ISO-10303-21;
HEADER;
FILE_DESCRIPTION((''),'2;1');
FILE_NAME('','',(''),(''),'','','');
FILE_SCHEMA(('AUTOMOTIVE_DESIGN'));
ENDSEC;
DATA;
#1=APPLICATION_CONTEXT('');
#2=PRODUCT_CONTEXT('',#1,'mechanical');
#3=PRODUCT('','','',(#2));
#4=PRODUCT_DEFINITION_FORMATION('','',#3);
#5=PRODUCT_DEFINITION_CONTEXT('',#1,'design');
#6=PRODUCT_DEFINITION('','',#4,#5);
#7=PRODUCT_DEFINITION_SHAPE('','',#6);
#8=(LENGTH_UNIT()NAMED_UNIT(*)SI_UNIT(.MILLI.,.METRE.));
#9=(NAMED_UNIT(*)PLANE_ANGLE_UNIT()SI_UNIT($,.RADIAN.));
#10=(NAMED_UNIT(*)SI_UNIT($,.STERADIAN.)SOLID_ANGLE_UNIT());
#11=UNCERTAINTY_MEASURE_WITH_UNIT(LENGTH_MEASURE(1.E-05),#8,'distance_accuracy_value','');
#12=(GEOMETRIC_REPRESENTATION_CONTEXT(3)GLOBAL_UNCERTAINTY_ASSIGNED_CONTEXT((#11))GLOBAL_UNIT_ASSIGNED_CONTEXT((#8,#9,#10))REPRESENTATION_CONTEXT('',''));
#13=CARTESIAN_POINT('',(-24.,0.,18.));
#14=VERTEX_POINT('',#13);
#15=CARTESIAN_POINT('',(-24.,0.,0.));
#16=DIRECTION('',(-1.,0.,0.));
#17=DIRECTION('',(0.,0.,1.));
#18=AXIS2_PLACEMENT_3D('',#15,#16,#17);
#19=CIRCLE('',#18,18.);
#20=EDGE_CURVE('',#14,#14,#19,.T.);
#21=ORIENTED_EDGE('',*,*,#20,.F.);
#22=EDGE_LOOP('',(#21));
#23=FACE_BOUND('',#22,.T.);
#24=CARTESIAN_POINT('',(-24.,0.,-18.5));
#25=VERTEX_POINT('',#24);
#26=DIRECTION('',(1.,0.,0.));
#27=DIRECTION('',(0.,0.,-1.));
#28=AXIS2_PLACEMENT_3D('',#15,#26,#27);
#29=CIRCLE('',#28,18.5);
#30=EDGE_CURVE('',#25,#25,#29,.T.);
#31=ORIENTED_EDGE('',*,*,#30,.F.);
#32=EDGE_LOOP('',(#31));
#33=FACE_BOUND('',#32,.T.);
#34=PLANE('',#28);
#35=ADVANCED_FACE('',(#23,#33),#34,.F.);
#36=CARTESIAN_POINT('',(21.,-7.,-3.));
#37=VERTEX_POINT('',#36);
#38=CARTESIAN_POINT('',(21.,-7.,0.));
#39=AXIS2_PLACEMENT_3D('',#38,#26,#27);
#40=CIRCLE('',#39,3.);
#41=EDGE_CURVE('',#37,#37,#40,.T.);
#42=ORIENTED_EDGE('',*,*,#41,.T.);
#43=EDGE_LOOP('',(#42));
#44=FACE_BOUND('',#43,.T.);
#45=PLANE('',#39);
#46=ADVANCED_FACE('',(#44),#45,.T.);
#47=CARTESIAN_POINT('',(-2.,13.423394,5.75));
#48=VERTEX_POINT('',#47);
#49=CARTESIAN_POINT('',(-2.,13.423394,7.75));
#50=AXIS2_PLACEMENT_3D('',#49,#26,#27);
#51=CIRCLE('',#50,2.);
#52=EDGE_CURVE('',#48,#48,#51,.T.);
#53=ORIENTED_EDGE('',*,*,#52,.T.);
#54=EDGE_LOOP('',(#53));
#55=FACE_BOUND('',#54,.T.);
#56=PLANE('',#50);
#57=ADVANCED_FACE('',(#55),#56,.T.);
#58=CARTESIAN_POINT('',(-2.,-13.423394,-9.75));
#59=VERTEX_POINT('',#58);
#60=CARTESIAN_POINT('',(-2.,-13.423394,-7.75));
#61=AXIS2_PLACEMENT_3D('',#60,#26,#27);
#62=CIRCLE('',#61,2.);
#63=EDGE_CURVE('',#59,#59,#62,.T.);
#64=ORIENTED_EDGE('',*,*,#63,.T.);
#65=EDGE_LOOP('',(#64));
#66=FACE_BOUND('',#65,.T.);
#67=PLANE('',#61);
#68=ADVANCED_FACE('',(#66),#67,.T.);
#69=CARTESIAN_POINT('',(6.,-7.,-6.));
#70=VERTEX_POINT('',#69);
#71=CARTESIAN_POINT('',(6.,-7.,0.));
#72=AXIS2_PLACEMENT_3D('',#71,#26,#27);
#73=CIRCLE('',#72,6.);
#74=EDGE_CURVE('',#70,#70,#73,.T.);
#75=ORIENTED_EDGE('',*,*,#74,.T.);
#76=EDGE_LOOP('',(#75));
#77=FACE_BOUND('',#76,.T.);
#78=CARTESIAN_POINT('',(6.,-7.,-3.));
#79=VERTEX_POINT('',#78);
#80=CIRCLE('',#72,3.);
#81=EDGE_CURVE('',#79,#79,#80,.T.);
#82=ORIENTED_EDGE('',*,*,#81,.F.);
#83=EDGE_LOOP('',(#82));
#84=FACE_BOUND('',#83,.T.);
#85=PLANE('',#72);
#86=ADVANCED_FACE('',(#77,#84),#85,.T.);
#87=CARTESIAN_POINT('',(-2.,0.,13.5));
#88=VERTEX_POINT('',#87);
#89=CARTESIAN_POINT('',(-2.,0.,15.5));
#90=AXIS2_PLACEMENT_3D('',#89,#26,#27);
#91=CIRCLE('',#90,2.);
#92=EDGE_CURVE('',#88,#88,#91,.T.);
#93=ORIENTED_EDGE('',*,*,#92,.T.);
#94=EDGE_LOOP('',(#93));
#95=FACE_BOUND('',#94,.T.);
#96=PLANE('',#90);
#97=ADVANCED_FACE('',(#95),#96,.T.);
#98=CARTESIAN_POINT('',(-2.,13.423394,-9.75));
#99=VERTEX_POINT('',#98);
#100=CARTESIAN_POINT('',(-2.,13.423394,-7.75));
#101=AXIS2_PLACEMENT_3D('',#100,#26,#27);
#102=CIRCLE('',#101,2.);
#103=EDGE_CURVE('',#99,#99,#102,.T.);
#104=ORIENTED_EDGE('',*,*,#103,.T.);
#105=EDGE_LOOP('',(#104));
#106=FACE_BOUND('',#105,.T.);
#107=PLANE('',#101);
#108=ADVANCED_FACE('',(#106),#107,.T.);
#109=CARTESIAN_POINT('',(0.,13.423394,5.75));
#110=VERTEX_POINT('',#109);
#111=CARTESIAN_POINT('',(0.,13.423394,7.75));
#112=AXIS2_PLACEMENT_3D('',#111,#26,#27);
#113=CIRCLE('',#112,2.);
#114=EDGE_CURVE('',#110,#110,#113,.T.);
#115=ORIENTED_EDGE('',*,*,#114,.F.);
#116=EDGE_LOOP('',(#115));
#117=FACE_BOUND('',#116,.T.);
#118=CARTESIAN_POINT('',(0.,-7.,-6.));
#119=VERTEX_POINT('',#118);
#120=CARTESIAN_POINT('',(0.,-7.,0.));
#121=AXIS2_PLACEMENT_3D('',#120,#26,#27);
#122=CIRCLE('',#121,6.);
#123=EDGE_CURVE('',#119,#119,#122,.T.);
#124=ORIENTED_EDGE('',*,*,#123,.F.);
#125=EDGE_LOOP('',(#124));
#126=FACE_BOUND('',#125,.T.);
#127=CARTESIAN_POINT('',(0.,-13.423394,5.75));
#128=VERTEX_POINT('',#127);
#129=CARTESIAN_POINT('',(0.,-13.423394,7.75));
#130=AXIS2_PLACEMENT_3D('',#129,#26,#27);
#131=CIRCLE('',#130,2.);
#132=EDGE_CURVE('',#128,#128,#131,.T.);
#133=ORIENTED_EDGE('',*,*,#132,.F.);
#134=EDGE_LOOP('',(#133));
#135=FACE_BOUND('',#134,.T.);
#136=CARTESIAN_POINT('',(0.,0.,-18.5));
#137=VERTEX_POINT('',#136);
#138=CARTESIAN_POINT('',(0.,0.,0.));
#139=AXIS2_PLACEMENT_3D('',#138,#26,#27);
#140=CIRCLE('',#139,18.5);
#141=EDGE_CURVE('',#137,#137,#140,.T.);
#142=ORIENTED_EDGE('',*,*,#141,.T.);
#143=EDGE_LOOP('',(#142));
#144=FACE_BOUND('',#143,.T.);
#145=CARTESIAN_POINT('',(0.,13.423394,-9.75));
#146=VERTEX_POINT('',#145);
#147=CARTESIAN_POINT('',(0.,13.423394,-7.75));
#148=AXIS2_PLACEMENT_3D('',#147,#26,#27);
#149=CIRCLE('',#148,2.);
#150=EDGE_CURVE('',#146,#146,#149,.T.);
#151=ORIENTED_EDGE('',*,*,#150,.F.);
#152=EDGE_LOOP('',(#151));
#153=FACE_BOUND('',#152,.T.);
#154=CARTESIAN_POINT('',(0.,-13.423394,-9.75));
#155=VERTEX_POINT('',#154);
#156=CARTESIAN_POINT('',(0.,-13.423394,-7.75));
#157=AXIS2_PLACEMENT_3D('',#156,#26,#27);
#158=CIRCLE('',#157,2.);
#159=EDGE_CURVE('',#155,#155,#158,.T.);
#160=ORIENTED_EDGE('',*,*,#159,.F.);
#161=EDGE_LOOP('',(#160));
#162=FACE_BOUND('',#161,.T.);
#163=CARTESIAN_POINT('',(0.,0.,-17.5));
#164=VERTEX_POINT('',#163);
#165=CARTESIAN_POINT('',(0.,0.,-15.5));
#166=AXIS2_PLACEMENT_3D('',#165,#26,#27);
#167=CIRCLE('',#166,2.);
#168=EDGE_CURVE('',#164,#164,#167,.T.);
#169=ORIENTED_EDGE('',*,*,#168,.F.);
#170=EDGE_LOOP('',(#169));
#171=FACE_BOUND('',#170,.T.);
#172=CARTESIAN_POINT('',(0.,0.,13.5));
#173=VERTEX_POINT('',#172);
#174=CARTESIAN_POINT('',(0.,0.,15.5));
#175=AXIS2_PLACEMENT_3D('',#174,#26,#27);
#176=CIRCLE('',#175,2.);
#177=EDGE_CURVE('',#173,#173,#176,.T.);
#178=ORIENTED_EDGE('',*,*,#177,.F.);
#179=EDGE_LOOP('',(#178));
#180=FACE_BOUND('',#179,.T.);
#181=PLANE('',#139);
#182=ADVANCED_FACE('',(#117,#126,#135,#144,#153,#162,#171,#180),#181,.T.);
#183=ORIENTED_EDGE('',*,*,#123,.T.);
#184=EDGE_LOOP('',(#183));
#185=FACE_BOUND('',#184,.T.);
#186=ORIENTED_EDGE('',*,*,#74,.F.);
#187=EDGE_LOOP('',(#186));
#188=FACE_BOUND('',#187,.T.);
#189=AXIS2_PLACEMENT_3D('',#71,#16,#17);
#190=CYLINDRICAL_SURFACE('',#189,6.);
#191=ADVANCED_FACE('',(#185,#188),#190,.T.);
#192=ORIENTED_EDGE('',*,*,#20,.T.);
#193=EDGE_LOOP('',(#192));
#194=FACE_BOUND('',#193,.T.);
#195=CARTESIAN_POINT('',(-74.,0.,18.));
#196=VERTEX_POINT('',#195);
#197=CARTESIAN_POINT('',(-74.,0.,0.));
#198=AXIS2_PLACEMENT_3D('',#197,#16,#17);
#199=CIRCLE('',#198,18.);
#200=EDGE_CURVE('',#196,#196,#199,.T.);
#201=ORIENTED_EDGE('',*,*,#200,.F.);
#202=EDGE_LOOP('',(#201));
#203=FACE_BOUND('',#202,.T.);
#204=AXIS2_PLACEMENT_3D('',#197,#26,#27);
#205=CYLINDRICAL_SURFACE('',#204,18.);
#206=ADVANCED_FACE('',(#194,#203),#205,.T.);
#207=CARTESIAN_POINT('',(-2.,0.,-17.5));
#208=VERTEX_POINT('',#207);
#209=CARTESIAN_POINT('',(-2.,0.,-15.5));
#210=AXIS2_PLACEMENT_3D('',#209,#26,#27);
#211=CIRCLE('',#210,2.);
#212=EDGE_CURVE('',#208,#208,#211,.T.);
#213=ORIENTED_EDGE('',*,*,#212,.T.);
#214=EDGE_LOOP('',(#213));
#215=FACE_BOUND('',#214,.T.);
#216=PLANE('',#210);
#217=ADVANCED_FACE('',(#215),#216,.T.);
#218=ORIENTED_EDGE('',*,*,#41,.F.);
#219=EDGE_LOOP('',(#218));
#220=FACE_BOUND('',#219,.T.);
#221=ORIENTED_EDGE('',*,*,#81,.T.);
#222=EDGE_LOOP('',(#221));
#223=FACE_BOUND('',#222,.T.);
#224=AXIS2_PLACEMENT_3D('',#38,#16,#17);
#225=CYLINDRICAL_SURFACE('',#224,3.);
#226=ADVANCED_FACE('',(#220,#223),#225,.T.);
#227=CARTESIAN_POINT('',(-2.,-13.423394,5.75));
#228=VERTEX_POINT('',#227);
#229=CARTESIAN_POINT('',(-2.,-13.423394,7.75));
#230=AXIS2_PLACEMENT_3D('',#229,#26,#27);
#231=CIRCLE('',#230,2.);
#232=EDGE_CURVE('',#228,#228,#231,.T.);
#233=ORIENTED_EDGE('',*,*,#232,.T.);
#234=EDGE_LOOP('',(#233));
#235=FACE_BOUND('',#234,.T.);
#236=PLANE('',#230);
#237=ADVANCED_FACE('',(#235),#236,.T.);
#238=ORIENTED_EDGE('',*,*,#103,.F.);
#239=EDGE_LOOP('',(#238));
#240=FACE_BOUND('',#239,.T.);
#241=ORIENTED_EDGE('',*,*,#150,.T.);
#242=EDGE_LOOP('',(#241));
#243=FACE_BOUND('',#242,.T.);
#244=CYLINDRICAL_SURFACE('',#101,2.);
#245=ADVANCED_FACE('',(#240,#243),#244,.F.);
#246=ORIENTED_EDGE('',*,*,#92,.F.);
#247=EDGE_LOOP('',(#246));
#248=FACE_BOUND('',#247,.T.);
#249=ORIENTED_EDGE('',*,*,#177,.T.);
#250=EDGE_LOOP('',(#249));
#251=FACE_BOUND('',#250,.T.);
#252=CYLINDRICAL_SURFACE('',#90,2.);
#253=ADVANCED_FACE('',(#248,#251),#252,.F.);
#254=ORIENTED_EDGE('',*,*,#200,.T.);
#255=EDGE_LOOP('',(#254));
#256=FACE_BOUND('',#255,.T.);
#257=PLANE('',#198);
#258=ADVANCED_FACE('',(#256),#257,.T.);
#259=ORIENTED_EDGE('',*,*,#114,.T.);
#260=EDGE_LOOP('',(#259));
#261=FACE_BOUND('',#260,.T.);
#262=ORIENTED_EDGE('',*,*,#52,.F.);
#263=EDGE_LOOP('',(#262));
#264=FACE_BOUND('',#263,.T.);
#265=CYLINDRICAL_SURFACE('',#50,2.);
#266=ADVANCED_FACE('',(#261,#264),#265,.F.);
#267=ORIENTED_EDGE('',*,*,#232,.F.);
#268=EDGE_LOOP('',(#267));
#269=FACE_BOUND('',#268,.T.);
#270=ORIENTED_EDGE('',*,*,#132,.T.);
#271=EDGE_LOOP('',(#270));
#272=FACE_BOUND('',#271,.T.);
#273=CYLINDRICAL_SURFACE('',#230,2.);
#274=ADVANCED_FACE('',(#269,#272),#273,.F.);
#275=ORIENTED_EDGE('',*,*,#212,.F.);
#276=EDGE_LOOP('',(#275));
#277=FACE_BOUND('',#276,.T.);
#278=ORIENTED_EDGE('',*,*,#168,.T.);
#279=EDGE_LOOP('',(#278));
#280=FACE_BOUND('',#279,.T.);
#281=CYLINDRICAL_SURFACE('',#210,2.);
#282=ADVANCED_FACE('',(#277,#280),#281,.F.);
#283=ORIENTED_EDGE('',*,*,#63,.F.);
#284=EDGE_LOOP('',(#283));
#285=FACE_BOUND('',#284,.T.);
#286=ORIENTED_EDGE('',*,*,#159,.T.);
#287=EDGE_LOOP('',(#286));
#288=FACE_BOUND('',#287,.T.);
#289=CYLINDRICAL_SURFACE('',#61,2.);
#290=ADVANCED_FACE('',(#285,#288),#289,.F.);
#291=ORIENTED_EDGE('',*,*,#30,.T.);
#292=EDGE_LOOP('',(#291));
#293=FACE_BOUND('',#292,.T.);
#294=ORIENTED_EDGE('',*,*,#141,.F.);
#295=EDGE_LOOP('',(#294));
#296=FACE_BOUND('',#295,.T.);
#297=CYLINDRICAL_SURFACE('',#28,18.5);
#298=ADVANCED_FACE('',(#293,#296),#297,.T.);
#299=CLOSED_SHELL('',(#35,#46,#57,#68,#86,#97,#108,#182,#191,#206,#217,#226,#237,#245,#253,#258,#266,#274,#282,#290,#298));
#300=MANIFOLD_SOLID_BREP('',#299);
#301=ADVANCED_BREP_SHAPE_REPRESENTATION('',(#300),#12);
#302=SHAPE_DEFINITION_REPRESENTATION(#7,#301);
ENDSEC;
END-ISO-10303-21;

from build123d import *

# Parameters (mm, degrees)
SKETCH1_R           = 18.5
BOSS_EXTRUDE1_DEPTH = 24
SKETCH2_R           = 18
BOSS_EXTRUDE2_DEPTH = 50
SKETCH3_R           = 6
BOSS_EXTRUDE3_DEPTH = 6
SKETCH4_R           = 3
BOSS_EXTRUDE4_DEPTH = 15
SKETCH5_R           = 2
CUT_EXTRUDE1_DEPTH  = 2


with BuildPart() as part:
    # Sketch1 → Boss-Extrude1 (new body)
    with BuildSketch(Plane(origin=(0, 0, 0), x_dir=(0, 0, -1), z_dir=(1, 0, 0))):
        Circle(SKETCH1_R)
    extrude(amount=-BOSS_EXTRUDE1_DEPTH)

    # Sketch2 → Boss-Extrude2 (add)
    with BuildSketch(Plane.ZY.offset(24)):
        Circle(SKETCH2_R)
    extrude(amount=BOSS_EXTRUDE2_DEPTH)

    # Sketch3 → Boss-Extrude3 (add)
    with BuildSketch(Plane(origin=(0, 0, 0), x_dir=(0, 0, -1), z_dir=(1, 0, 0))):
        with Locations((0, -7)):
            Circle(SKETCH3_R)
    extrude(amount=BOSS_EXTRUDE3_DEPTH)

    # Sketch4 → Boss-Extrude4 (add)
    with BuildSketch(Plane(origin=(6, 0, 0), x_dir=(0, 0, -1), z_dir=(1, 0, 0))):
        with Locations((0, -7)):
            Circle(SKETCH4_R)
    extrude(amount=BOSS_EXTRUDE4_DEPTH)

    # Sketch5 → Cut-Extrude1 (cut)
    with BuildSketch(Plane(origin=(0, 0, 0), x_dir=(0, 0, -1), z_dir=(1, 0, 0))):
        with Locations((-15.5, 0)):
            Circle(SKETCH5_R)
        with Locations((-7.75, 13.423393759)):
            Circle(SKETCH5_R)
        with Locations((7.75, 13.423393759)):
            Circle(SKETCH5_R)
        with Locations((15.5, 0)):
            Circle(SKETCH5_R)
        with Locations((7.75, -13.423393759)):
            Circle(SKETCH5_R)
        with Locations((-7.75, -13.423393759)):
            Circle(SKETCH5_R)
    extrude(amount=-CUT_EXTRUDE1_DEPTH, mode=Mode.SUBTRACT)


solid = part.part
